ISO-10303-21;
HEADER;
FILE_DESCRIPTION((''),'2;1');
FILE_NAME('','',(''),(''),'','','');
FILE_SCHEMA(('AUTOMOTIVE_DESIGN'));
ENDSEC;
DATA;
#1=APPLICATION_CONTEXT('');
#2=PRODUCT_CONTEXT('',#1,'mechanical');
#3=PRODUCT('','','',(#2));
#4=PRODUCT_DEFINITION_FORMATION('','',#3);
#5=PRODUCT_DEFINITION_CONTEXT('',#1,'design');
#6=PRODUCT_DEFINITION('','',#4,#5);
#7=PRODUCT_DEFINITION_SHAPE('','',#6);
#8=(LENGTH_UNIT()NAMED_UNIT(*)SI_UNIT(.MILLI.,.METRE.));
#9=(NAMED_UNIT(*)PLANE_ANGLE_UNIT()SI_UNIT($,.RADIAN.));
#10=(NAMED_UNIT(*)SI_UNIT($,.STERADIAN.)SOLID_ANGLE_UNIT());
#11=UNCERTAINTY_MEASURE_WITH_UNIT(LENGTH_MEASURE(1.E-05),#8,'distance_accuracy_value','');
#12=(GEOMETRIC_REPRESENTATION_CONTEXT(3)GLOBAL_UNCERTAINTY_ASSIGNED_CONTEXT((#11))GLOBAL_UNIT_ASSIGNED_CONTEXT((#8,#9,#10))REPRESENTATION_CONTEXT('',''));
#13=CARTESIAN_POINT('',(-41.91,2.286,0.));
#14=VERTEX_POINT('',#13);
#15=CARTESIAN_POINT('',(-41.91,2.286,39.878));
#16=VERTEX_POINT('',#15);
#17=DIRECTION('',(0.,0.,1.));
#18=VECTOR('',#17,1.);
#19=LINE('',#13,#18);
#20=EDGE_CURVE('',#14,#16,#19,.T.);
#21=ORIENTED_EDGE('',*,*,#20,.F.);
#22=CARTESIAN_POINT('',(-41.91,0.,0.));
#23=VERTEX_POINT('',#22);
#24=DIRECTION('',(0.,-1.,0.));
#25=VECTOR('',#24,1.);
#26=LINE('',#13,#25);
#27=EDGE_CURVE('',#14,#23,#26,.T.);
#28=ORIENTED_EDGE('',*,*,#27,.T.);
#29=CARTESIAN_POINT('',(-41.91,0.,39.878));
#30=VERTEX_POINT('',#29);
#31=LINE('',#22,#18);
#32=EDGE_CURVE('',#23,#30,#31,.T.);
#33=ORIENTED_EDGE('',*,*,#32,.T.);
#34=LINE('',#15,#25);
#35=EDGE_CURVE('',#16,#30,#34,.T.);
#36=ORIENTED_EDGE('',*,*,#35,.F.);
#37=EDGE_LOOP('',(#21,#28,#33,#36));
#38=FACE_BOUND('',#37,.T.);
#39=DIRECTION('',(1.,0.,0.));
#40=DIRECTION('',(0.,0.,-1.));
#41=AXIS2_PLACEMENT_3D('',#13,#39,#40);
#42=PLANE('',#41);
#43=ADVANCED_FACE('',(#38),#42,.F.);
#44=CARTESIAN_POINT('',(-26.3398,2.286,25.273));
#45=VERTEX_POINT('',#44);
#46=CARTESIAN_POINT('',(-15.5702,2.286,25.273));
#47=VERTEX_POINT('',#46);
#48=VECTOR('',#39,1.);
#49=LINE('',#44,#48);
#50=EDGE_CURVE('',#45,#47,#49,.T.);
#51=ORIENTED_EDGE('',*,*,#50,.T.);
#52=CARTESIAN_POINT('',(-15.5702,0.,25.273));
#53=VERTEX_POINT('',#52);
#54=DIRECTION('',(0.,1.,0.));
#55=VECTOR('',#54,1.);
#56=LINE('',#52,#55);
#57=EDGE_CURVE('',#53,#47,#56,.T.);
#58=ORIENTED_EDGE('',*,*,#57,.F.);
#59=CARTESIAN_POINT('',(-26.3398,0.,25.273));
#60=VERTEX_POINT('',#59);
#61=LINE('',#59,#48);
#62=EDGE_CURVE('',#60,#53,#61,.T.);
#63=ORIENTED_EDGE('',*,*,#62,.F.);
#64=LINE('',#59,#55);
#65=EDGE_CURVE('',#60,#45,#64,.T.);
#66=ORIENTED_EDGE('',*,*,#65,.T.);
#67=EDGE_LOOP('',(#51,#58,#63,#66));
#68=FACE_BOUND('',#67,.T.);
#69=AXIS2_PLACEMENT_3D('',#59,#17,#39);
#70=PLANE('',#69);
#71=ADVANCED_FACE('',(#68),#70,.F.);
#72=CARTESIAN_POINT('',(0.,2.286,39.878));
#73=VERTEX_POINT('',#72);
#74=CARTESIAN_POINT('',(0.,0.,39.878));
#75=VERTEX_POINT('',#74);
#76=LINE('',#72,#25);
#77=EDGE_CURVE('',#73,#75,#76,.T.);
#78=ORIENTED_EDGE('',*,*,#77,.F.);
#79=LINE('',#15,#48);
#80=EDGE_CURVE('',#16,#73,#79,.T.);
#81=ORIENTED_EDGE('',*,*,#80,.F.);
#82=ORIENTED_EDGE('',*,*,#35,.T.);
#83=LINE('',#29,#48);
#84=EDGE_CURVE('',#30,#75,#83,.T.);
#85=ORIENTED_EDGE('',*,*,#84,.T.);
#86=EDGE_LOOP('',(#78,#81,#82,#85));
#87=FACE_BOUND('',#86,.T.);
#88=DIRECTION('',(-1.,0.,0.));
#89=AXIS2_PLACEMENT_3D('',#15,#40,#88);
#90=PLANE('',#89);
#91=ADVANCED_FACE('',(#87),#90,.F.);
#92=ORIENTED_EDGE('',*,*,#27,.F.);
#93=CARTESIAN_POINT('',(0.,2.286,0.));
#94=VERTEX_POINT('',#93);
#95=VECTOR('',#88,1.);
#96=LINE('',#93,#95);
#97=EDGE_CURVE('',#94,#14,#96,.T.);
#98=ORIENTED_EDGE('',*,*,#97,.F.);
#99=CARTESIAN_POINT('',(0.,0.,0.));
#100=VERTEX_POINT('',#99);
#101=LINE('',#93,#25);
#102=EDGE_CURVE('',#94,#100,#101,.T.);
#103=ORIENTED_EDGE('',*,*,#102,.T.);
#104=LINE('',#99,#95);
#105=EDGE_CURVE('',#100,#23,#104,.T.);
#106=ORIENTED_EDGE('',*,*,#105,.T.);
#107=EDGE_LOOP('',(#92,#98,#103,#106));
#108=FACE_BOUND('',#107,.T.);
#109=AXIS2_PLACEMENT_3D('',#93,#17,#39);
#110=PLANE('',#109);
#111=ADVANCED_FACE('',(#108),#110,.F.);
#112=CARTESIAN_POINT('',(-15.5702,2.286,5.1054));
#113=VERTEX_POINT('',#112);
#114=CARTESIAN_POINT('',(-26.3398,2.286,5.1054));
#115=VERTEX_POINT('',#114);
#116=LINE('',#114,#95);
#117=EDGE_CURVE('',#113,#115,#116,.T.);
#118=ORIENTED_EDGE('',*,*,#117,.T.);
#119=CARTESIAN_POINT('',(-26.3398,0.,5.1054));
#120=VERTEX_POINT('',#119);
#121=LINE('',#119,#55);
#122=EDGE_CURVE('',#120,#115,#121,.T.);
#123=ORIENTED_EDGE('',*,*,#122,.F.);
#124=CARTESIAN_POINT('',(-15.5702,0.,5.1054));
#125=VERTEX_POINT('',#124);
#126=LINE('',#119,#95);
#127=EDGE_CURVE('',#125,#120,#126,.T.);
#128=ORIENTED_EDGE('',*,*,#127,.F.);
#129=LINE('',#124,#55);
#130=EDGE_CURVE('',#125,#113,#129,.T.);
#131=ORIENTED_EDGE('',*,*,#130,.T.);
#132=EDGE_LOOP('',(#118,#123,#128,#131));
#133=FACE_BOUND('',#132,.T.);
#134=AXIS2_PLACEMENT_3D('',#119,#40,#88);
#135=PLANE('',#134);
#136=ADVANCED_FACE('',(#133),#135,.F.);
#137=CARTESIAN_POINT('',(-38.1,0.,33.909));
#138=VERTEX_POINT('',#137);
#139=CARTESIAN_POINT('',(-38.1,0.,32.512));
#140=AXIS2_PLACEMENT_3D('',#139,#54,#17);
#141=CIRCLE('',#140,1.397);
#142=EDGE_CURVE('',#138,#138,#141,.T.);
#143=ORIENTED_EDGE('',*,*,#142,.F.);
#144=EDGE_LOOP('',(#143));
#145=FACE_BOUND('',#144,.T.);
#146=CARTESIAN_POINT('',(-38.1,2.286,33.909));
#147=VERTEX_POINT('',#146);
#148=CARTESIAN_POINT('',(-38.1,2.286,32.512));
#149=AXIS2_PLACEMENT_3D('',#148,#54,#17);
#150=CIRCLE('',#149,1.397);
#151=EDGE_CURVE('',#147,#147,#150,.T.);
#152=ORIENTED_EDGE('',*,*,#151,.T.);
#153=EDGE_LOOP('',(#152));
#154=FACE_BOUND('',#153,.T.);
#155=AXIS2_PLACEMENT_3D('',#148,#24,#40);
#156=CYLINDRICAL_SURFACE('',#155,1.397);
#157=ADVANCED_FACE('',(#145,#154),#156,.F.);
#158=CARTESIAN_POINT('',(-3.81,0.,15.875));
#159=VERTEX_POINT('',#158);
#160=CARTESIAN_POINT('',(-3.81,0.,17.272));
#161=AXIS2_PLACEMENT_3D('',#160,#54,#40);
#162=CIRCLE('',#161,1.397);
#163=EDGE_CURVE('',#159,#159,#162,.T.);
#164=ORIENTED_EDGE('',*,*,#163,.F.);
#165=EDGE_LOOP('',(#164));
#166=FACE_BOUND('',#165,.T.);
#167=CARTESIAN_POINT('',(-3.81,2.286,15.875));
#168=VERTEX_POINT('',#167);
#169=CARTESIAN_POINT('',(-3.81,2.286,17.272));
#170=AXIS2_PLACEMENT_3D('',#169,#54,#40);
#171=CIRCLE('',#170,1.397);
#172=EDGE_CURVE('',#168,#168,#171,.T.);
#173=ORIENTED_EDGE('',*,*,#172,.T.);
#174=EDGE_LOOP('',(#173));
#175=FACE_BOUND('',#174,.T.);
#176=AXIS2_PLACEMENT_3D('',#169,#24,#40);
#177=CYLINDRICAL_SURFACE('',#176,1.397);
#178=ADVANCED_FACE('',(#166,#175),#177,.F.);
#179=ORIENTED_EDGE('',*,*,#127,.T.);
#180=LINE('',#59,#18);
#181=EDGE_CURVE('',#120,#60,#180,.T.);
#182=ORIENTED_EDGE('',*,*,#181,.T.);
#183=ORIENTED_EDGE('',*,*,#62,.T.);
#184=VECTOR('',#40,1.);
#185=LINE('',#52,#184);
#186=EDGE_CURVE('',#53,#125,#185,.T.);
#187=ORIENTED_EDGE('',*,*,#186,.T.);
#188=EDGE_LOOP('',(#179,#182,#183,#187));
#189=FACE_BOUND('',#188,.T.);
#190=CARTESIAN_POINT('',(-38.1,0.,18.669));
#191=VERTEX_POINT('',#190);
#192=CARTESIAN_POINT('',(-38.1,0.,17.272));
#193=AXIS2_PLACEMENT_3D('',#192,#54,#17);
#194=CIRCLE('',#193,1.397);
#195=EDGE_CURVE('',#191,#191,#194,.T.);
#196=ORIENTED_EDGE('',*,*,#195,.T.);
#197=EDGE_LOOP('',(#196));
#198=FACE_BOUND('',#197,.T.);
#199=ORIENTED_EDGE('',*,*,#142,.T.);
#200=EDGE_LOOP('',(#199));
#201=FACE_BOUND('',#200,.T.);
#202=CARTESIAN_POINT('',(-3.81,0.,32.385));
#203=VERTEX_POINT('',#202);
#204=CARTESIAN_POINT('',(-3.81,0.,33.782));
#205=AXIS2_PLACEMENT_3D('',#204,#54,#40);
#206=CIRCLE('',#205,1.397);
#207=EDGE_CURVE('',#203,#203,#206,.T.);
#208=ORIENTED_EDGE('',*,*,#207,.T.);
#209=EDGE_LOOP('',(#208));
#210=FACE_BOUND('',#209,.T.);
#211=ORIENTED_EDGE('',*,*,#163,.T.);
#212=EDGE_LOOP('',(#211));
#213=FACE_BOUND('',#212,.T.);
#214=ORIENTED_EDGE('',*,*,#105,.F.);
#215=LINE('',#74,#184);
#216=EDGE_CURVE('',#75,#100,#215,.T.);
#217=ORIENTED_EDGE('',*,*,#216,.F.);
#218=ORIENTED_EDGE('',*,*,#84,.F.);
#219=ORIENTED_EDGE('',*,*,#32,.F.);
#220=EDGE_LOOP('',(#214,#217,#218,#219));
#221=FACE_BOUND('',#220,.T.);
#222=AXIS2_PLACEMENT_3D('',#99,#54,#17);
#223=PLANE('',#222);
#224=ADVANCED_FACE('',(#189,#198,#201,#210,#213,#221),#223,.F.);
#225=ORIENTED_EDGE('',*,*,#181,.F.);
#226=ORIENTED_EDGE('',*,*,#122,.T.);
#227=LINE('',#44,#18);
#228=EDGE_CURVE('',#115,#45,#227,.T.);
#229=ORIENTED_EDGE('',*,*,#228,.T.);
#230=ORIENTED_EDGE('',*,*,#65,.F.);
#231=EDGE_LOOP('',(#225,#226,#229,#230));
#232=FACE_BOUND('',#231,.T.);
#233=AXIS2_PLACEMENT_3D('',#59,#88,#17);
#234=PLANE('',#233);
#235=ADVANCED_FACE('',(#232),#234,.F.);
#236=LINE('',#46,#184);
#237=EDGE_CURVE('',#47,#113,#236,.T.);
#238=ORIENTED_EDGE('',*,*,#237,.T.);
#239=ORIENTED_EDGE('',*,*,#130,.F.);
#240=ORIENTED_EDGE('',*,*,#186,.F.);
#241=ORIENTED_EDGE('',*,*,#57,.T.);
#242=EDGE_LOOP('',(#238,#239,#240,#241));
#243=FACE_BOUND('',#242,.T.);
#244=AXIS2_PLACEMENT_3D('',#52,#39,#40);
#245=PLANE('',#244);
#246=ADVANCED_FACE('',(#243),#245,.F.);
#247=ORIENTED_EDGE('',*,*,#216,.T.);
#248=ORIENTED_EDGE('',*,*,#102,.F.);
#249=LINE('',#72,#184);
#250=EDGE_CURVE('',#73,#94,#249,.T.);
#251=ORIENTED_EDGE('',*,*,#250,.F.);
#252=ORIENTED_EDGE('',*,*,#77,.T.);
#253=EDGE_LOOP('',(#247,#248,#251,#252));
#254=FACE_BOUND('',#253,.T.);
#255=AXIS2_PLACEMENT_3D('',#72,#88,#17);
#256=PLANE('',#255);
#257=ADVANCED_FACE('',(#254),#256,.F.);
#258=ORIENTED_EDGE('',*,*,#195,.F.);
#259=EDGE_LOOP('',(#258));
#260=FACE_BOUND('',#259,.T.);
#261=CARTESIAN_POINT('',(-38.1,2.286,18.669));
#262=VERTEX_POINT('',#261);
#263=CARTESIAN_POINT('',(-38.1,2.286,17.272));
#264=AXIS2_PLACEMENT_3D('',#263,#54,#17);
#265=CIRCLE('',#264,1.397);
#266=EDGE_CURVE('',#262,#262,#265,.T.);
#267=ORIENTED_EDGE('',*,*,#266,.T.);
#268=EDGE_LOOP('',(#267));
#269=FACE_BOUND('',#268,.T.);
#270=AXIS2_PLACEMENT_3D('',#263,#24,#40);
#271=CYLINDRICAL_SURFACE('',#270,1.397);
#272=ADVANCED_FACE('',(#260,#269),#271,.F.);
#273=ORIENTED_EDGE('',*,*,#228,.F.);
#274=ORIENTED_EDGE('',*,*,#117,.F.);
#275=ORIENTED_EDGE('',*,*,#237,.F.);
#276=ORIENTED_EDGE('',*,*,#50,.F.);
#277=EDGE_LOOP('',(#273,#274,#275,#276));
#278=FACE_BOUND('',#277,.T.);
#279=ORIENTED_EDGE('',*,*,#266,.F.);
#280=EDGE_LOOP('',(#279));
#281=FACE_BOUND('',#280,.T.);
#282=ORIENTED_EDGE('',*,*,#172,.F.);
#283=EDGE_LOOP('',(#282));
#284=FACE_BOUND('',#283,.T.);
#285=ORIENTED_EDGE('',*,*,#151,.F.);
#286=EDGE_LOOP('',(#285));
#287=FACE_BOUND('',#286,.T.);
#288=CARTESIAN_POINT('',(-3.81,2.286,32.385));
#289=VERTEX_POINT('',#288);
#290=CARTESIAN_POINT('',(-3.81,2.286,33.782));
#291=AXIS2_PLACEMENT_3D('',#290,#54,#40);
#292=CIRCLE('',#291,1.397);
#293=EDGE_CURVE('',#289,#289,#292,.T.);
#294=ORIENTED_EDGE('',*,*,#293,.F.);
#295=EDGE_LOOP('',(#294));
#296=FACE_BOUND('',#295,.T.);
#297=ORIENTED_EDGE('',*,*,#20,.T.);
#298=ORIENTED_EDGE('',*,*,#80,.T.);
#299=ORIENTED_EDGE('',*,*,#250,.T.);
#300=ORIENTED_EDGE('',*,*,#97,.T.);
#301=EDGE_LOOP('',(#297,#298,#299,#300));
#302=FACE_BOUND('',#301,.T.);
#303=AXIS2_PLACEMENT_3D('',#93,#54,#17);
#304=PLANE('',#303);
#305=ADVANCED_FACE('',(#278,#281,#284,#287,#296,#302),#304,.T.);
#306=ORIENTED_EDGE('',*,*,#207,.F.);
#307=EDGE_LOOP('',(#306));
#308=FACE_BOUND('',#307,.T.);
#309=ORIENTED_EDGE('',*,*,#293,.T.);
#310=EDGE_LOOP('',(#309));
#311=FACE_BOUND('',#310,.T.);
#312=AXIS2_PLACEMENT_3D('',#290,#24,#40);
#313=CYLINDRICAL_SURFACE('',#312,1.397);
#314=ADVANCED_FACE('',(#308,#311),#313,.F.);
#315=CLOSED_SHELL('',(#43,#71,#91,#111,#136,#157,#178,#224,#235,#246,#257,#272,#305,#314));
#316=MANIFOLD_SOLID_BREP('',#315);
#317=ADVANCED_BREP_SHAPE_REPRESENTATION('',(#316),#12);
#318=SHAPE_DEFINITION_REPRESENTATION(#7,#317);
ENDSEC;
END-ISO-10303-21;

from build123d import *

# Parameters (mm, degrees)
SKETCH5_W      = 41.91
SKETCH5_H      = 39.878
SKETCH5_R      = 1.397
EXTRUDE3_DEPTH = 2.286
SKETCH6_W      = 10.7696
SKETCH6_H      = 20.1676
EXTRUDE4_DEPTH = 3.286


with BuildPart() as part:
    # Sketch5 → Extrude3 (new body)
    with BuildSketch(Plane(origin=(0, 0, 0), x_dir=(1, 0, 0), z_dir=(0, 1, 0))):
        with Locations((-20.955, -19.939)):
            Rectangle(SKETCH5_W, SKETCH5_H)
        with Locations((-38.1, -17.272)):
            Circle(SKETCH5_R, mode=Mode.SUBTRACT)
        with Locations((-38.1, -32.512)):
            Circle(SKETCH5_R, mode=Mode.SUBTRACT)
        with Locations((-3.81, -33.782)):
            Circle(SKETCH5_R, mode=Mode.SUBTRACT)
        with Locations((-3.81, -17.272)):
            Circle(SKETCH5_R, mode=Mode.SUBTRACT)
    extrude(amount=EXTRUDE3_DEPTH)

    # Sketch6 → Extrude4 (cut, through all)
    with BuildSketch(Plane(origin=(0, 2.286, 0), x_dir=(-1, 0, 0), z_dir=(0, 1, 0))):
        with Locations((20.955, 15.1892)):
            Rectangle(SKETCH6_W, SKETCH6_H)
    extrude(amount=-EXTRUDE4_DEPTH, mode=Mode.SUBTRACT)


solid = part.part
